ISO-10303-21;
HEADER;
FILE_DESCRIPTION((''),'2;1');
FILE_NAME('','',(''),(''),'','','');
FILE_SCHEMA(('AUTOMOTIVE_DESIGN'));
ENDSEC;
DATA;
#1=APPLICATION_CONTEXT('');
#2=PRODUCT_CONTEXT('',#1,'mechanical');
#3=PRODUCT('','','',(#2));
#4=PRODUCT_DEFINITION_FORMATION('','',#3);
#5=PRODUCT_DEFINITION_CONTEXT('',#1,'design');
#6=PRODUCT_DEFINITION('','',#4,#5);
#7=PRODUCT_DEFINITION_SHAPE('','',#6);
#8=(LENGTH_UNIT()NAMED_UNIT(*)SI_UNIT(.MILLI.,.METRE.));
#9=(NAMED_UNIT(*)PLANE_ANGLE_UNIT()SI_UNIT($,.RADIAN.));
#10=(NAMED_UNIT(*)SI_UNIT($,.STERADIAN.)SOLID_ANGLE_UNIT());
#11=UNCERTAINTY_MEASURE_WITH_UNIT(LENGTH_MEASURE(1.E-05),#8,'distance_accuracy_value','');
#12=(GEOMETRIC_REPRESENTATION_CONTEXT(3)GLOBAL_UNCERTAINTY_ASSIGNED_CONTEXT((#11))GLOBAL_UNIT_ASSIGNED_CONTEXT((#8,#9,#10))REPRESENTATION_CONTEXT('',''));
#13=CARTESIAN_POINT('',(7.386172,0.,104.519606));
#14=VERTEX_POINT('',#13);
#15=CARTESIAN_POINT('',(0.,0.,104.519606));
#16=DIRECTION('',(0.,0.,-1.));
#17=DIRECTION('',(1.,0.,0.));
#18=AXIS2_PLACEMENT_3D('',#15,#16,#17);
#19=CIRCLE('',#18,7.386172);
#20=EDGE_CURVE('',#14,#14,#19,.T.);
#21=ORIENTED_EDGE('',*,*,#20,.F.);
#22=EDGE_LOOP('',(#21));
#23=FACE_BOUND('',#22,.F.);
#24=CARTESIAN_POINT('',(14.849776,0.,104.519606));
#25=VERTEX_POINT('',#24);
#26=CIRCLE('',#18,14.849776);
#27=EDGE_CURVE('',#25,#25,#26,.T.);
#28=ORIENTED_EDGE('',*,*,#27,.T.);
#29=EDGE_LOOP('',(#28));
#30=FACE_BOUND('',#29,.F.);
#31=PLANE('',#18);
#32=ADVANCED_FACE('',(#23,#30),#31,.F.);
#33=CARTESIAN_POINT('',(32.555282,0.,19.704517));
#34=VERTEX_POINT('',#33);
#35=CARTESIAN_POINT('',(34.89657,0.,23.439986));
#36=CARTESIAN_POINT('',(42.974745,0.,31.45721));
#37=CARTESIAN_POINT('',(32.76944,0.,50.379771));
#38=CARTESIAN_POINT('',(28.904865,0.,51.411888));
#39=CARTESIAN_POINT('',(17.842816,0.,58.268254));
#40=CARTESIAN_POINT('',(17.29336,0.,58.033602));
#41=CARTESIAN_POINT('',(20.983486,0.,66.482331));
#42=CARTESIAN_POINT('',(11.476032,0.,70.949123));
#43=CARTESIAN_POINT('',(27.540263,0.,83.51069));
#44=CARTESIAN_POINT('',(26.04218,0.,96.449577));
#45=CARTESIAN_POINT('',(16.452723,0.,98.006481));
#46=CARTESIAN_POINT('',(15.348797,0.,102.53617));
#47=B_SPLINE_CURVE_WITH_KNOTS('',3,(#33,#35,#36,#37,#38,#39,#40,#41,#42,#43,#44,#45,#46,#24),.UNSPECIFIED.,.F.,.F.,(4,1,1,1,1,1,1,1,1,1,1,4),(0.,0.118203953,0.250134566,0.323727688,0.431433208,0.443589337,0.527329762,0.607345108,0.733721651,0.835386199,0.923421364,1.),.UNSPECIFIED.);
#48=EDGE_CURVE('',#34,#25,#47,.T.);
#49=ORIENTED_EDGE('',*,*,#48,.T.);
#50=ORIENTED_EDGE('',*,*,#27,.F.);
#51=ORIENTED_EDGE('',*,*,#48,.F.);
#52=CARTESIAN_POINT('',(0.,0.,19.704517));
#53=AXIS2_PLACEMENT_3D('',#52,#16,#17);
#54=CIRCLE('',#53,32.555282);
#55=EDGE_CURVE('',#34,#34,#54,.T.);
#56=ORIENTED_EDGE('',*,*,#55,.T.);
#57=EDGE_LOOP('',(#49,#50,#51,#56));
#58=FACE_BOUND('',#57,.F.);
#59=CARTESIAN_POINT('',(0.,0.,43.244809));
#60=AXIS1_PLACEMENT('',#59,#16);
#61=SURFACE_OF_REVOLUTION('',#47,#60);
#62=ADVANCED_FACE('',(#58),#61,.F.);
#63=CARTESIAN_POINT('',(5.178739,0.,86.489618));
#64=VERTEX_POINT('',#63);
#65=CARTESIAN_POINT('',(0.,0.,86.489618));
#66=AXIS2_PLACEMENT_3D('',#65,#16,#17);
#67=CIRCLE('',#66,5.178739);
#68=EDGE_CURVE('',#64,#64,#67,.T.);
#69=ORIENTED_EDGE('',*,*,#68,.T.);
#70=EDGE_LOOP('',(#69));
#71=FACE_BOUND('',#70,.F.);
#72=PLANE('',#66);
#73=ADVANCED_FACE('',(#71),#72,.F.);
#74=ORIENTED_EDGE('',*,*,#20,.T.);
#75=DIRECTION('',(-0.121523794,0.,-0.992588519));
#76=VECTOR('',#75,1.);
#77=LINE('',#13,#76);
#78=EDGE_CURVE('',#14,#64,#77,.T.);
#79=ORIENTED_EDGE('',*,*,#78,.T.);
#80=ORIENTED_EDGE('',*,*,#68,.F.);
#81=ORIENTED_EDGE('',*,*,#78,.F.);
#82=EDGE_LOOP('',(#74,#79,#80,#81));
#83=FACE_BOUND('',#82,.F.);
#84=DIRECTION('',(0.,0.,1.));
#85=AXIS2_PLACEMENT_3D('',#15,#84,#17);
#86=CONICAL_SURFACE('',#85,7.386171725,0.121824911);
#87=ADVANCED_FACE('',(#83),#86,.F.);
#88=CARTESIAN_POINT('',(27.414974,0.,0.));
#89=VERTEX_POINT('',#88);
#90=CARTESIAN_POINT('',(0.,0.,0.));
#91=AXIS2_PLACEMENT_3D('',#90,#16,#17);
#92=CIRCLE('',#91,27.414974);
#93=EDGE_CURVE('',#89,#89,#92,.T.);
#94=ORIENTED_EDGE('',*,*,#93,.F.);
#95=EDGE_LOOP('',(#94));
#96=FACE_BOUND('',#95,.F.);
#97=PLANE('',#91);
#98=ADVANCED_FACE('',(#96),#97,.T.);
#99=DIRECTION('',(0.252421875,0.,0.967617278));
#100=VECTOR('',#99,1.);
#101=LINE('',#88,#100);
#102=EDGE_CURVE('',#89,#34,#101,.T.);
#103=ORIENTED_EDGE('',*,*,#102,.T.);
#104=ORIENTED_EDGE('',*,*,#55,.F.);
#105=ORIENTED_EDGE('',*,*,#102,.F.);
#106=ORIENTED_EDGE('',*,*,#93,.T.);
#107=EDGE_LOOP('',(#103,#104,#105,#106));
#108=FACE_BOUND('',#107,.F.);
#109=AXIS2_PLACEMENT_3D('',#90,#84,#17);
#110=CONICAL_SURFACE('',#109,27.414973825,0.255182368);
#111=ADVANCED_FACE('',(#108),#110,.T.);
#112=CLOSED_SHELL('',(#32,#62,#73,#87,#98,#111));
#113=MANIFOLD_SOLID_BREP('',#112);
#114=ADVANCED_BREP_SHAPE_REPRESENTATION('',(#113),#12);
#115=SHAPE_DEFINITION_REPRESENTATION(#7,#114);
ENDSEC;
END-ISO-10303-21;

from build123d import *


with BuildPart() as f1:
    # F0 (on Front) → F1 (revolve)
    with BuildSketch(Plane.XZ):
        with BuildLine():
            Line((0, 86.4896178246), (0, 0))
            Line((0, 0), (27.4149738252, 0))
            Line((27.4149738252, 0), (32.5552821159, 19.7045169771))
            add(Edge.make_bspline(
                [(32.5552821159, 19.7045169771), (34.8965699585, 23.4399864405), (42.9747450127, 31.4572100576), (32.7694396809, 50.3797705639), (28.9048650486, 51.4118879862), (17.8428163188, 58.2682537453), (17.2933603393, 58.0336024893), (20.9834858513, 66.4823308049), (11.4760319207, 70.9491230618), (27.5402629663, 83.5106897158), (26.0421798508, 96.449577078), (16.4527228569, 98.0064811297), (15.348796973, 102.5361700443), (14.8497764021, 104.5196056366)],
                knots=[0, 0, 0, 0, 0.1182039526, 0.2501345658, 0.3237276883, 0.4314332083, 0.4435893366, 0.5273297623, 0.607345108, 0.7337216514, 0.835386199, 0.9234213644, 1, 1, 1, 1], degree=3))
            Line((14.8497764021, 104.5196056366), (7.3861717246, 104.5196056366))
            Line((7.3861717246, 104.5196056366), (5.1787388511, 86.4896178246))
            Line((5.1787388511, 86.4896178246), (0, 86.4896178246))
        make_face()
    revolve(axis=Axis((0, 0, 43.2448089123), (0, 0, -1)))


solid = f1.part
